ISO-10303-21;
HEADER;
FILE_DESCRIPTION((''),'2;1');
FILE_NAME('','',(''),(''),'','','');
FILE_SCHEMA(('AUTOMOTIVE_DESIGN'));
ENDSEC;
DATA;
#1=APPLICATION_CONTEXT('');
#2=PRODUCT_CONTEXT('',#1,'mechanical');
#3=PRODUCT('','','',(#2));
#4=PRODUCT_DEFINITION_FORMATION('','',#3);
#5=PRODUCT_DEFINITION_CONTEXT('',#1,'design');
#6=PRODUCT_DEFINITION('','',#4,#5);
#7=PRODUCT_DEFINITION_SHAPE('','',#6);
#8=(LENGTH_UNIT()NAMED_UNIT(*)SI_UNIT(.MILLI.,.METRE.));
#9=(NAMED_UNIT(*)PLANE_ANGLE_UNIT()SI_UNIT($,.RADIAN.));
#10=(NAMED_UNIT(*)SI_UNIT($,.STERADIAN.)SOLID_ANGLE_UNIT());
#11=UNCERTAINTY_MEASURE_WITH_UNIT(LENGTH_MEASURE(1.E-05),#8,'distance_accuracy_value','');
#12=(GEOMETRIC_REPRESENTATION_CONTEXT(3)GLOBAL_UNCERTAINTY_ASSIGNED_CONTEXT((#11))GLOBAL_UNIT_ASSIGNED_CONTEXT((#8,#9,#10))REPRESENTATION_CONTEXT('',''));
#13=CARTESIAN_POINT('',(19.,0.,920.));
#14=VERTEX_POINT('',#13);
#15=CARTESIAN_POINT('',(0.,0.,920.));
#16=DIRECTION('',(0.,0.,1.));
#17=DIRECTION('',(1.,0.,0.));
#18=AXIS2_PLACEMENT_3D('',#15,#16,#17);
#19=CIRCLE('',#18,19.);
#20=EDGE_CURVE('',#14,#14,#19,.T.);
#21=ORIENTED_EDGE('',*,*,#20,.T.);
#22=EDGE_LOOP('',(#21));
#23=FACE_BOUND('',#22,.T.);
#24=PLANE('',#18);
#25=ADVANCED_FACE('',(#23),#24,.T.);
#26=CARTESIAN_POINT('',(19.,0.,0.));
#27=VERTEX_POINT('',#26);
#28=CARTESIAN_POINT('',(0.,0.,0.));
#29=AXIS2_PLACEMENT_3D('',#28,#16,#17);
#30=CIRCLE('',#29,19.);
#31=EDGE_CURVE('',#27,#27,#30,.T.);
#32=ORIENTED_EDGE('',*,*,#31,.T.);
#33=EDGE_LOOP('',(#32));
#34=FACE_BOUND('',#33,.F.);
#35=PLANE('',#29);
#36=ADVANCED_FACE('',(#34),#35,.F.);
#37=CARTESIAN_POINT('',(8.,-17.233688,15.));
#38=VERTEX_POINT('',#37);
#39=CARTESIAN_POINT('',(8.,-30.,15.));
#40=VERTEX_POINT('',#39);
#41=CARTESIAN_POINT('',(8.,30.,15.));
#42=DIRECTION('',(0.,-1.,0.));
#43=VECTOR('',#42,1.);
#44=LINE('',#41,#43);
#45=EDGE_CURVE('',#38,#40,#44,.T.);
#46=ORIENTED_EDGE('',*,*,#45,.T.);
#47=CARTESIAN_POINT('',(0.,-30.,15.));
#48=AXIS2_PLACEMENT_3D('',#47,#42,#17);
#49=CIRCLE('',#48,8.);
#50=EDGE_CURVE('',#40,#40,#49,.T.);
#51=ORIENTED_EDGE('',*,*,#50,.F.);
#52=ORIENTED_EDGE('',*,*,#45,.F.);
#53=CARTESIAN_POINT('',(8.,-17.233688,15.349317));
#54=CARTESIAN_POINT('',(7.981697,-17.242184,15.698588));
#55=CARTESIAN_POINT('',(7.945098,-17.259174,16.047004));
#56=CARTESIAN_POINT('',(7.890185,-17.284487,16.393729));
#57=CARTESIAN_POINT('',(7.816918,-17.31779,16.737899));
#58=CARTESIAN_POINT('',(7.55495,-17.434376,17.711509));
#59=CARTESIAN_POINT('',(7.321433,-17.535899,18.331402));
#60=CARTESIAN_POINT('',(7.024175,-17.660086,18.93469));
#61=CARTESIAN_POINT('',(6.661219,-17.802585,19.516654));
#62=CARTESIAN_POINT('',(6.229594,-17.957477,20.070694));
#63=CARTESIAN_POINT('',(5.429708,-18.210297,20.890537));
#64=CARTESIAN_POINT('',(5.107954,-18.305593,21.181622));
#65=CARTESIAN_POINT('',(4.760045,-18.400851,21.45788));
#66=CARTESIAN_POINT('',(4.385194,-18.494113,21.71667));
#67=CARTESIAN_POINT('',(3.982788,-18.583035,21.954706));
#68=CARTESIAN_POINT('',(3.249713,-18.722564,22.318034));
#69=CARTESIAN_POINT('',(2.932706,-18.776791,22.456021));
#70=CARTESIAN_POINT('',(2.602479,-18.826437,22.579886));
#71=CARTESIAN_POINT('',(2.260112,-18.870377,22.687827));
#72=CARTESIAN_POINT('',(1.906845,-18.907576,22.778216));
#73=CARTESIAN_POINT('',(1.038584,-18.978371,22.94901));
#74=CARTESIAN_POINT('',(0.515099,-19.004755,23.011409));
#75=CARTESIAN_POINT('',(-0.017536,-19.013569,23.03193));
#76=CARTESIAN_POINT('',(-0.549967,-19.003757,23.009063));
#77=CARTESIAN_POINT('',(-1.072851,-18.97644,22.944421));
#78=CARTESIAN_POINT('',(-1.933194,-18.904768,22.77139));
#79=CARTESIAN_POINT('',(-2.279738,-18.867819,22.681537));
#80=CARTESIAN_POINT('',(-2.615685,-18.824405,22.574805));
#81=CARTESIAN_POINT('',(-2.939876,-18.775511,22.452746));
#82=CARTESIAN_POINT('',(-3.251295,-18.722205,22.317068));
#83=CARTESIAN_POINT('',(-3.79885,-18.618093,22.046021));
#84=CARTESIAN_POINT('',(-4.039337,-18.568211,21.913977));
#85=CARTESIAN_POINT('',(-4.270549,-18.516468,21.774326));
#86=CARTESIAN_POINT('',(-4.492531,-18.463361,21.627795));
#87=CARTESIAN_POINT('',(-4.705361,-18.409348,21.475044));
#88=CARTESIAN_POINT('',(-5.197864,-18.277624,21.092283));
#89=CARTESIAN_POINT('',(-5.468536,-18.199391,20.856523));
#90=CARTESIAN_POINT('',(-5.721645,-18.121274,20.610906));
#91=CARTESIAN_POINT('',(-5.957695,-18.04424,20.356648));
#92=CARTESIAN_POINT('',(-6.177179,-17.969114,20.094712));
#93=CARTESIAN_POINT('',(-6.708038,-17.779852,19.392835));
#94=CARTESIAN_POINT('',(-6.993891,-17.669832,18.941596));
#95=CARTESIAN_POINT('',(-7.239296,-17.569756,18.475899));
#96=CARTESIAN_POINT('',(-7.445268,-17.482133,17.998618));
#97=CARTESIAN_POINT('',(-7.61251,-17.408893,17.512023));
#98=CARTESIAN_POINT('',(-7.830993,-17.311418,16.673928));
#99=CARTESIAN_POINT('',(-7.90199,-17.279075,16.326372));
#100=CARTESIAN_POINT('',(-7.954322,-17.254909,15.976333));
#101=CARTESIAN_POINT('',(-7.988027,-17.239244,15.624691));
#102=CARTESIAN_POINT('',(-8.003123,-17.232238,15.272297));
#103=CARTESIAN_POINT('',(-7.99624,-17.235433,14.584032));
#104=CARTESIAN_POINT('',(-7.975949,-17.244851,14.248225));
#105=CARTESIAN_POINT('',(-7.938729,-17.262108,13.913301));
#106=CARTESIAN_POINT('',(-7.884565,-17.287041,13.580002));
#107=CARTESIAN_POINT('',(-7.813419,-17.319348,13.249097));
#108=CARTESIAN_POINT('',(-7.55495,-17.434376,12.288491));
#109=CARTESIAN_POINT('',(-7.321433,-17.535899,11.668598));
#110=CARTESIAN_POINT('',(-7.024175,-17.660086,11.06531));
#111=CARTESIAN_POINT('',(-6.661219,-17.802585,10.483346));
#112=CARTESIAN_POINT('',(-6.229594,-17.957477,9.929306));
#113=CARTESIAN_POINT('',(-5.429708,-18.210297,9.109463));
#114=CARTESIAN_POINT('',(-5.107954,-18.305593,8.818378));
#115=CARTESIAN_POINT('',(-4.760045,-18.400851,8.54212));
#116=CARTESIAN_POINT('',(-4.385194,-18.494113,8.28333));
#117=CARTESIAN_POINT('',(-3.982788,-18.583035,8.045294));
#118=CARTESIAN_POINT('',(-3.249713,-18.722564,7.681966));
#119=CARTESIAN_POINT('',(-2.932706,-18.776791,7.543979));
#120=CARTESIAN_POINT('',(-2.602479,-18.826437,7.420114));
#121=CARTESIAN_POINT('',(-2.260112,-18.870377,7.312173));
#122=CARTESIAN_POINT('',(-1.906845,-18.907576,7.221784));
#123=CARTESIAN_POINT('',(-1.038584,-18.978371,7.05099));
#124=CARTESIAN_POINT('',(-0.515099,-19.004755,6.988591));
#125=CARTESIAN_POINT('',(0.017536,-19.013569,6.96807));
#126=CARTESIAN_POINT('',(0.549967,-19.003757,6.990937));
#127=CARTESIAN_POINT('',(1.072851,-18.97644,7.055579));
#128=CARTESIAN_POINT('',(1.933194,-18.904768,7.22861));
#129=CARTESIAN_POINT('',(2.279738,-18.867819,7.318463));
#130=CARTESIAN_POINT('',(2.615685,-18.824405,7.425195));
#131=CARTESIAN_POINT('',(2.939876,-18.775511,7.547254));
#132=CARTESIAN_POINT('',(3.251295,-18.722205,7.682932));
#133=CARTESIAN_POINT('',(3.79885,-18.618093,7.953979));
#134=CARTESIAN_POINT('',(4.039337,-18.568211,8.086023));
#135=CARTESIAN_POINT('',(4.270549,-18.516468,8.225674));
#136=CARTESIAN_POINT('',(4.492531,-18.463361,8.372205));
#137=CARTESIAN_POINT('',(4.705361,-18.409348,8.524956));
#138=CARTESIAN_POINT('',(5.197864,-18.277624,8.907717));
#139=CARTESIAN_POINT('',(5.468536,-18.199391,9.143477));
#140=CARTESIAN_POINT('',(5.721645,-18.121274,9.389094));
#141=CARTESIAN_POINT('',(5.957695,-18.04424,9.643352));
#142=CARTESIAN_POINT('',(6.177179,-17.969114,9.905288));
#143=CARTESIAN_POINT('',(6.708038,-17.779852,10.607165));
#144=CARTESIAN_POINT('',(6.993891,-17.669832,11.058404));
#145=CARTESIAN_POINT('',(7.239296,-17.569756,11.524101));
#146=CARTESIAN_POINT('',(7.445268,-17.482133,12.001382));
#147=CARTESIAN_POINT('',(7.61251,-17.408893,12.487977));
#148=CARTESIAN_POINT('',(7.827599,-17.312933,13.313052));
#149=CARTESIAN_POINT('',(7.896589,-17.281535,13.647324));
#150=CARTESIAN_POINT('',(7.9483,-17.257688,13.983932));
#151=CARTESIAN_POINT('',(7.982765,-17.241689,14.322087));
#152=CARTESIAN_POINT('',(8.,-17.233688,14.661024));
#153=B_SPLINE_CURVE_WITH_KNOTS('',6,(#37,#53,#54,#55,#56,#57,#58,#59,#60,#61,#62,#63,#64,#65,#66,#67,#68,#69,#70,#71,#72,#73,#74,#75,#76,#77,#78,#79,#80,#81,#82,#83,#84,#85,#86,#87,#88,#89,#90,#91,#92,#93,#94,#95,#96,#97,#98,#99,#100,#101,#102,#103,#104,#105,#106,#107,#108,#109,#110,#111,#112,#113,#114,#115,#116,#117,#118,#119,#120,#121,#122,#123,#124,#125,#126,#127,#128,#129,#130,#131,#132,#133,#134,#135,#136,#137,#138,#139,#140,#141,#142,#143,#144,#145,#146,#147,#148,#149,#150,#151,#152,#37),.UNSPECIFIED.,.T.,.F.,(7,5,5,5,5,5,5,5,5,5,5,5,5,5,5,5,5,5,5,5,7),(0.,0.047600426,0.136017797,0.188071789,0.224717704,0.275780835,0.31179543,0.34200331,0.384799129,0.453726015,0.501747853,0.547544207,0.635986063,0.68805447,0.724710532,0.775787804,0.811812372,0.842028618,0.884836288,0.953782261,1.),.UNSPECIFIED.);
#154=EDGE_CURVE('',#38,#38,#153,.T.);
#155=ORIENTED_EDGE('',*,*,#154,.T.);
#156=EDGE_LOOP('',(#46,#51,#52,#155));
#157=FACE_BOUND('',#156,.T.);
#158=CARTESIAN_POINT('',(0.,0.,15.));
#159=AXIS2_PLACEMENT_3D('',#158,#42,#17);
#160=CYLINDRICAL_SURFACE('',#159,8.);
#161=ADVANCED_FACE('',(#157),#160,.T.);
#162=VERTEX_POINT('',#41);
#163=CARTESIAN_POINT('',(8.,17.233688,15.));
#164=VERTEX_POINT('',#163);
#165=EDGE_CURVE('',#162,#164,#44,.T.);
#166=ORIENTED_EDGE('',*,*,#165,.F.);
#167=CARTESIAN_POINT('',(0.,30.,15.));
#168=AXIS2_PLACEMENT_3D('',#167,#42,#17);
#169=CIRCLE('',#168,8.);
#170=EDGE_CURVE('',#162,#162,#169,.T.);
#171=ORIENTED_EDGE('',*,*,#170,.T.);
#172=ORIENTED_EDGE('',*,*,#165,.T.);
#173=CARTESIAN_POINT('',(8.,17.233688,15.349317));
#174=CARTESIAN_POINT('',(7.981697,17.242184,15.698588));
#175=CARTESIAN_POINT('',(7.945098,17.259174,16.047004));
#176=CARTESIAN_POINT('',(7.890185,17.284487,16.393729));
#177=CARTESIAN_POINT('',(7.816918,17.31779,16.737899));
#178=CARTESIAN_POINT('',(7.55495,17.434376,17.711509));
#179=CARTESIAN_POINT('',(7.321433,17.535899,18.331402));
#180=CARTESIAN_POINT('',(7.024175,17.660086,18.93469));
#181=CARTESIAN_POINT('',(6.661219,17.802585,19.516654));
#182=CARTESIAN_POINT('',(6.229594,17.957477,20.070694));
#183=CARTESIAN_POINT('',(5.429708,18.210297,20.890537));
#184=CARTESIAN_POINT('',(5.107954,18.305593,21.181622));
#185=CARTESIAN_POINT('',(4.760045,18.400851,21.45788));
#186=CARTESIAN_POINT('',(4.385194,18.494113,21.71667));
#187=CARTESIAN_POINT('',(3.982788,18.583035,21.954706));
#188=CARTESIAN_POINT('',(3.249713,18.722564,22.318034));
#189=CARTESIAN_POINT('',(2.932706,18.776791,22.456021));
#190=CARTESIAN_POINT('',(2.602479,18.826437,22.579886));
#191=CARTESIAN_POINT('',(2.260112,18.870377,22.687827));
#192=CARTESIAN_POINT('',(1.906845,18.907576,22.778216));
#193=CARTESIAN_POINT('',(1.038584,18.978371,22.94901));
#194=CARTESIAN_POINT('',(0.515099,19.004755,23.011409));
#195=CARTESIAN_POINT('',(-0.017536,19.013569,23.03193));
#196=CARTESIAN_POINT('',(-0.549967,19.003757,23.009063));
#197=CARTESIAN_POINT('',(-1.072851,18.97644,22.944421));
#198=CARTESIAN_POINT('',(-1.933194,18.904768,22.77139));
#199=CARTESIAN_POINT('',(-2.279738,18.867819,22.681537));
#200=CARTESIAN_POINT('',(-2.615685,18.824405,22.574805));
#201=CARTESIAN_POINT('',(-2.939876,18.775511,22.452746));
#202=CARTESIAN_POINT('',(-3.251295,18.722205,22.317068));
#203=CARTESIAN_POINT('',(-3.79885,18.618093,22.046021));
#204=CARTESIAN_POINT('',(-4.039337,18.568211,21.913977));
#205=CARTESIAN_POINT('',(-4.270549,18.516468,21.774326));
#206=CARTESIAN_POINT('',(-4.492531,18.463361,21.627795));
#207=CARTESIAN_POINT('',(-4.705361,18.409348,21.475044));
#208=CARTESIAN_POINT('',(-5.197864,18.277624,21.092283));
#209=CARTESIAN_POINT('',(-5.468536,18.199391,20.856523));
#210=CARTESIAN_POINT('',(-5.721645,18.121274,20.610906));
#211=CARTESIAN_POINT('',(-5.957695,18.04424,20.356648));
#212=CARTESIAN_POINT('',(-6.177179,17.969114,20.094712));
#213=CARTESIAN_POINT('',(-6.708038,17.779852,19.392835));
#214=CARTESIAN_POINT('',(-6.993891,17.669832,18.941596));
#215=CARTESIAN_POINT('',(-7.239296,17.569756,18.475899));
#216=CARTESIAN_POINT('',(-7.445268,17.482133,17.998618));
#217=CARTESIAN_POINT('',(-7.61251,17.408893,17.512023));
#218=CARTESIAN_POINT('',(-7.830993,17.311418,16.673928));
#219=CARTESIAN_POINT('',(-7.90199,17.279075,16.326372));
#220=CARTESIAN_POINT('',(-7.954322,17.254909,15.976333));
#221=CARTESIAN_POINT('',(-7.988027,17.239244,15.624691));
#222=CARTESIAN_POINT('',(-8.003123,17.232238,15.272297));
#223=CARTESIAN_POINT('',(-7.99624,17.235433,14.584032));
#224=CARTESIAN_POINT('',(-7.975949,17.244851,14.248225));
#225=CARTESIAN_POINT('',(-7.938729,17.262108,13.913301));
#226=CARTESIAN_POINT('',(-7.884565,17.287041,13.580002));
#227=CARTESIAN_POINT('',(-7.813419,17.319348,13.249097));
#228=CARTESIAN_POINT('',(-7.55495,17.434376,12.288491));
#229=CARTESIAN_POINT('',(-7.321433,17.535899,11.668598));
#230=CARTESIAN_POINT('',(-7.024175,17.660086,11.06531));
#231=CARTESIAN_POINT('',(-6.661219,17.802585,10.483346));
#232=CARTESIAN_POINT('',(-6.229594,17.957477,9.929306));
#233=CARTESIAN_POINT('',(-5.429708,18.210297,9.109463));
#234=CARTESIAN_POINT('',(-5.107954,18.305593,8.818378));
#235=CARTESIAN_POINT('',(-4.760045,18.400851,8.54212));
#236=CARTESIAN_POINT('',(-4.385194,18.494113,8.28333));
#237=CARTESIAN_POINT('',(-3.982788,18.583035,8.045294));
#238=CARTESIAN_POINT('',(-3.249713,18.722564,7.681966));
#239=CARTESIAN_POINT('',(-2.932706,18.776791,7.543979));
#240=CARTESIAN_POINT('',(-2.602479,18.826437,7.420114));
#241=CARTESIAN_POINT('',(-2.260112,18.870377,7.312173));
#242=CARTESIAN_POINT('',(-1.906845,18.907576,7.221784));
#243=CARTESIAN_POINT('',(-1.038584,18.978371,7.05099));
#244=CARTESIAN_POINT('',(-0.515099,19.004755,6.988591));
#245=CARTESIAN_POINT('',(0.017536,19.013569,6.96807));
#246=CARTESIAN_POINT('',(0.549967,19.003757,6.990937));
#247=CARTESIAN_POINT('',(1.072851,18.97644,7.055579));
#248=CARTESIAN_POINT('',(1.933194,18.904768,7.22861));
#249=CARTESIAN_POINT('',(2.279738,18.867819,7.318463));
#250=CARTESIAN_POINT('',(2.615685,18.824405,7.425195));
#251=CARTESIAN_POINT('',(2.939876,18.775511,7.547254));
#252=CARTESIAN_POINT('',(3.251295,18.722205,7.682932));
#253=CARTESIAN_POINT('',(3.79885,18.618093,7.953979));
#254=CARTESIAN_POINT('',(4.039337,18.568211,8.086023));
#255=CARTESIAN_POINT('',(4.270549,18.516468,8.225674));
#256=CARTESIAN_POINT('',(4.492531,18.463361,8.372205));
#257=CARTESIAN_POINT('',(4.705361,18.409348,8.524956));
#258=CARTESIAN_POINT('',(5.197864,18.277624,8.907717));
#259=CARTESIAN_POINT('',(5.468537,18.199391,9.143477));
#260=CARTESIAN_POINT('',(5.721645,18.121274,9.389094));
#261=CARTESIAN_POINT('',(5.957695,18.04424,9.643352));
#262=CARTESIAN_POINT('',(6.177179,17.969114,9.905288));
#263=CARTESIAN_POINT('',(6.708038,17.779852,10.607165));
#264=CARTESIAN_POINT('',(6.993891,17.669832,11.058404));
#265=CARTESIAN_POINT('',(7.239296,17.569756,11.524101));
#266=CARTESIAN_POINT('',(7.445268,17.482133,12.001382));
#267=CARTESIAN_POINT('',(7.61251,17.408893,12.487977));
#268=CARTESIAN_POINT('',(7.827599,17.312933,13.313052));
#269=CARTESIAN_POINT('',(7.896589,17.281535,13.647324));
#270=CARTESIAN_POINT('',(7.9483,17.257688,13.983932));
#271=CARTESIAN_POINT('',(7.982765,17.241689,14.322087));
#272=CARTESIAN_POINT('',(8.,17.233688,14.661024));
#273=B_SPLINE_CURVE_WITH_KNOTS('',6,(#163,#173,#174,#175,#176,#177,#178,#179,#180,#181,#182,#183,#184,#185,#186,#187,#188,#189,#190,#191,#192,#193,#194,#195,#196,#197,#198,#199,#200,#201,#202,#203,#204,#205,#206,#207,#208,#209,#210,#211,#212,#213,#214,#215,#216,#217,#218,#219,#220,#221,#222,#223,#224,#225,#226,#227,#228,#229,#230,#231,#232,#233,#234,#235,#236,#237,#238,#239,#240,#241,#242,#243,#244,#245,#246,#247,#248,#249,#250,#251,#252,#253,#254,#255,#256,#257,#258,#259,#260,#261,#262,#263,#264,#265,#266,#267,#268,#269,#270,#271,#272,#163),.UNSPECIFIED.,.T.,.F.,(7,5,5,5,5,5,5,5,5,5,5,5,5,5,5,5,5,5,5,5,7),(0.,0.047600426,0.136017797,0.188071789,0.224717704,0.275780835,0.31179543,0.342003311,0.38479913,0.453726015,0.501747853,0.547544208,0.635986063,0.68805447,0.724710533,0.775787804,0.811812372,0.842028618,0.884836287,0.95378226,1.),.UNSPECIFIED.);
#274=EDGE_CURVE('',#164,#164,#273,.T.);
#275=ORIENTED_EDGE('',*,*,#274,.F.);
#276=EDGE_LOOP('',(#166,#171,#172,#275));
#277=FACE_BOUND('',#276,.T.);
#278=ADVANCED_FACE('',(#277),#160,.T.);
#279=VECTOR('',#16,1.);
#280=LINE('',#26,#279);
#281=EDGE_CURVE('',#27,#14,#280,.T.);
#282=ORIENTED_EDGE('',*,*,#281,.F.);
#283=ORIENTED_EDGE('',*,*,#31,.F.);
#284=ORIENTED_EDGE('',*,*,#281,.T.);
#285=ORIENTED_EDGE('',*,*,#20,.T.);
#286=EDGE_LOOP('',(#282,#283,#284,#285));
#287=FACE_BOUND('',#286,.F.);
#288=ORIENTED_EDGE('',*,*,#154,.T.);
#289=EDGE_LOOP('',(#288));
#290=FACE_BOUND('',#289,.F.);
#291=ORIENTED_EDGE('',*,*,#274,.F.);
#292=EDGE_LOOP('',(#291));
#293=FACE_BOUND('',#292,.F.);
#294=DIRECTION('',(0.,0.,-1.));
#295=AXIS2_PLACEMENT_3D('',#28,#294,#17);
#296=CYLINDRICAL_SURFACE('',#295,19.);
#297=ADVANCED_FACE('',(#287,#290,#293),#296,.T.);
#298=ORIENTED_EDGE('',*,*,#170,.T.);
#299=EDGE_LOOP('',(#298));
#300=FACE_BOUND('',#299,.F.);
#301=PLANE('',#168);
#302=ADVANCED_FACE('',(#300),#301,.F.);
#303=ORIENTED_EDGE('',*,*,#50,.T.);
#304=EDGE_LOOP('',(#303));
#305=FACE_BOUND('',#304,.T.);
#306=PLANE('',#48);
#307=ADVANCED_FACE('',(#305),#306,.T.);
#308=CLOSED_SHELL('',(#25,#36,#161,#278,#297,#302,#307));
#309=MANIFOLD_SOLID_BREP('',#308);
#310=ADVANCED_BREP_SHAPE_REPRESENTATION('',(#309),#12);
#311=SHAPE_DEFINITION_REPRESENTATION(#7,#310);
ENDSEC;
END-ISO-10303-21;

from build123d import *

# Parameters (mm, degrees)
F0_R     = 19
F1_DEPTH = 920
F2_R     = 8
F3_DEPTH = 30


with BuildPart() as f1:
    # F0 (on Top) → F1 (new body)
    with BuildSketch(Plane.XY):
        Circle(F0_R)
    extrude(amount=F1_DEPTH)

    # F2 (on Front) → F3 (join, symmetric)
    with BuildSketch(Plane.XZ):
        with Locations((0, 15)):
            Circle(F2_R)
    extrude(amount=F3_DEPTH, both=True)


solid = f1.part
